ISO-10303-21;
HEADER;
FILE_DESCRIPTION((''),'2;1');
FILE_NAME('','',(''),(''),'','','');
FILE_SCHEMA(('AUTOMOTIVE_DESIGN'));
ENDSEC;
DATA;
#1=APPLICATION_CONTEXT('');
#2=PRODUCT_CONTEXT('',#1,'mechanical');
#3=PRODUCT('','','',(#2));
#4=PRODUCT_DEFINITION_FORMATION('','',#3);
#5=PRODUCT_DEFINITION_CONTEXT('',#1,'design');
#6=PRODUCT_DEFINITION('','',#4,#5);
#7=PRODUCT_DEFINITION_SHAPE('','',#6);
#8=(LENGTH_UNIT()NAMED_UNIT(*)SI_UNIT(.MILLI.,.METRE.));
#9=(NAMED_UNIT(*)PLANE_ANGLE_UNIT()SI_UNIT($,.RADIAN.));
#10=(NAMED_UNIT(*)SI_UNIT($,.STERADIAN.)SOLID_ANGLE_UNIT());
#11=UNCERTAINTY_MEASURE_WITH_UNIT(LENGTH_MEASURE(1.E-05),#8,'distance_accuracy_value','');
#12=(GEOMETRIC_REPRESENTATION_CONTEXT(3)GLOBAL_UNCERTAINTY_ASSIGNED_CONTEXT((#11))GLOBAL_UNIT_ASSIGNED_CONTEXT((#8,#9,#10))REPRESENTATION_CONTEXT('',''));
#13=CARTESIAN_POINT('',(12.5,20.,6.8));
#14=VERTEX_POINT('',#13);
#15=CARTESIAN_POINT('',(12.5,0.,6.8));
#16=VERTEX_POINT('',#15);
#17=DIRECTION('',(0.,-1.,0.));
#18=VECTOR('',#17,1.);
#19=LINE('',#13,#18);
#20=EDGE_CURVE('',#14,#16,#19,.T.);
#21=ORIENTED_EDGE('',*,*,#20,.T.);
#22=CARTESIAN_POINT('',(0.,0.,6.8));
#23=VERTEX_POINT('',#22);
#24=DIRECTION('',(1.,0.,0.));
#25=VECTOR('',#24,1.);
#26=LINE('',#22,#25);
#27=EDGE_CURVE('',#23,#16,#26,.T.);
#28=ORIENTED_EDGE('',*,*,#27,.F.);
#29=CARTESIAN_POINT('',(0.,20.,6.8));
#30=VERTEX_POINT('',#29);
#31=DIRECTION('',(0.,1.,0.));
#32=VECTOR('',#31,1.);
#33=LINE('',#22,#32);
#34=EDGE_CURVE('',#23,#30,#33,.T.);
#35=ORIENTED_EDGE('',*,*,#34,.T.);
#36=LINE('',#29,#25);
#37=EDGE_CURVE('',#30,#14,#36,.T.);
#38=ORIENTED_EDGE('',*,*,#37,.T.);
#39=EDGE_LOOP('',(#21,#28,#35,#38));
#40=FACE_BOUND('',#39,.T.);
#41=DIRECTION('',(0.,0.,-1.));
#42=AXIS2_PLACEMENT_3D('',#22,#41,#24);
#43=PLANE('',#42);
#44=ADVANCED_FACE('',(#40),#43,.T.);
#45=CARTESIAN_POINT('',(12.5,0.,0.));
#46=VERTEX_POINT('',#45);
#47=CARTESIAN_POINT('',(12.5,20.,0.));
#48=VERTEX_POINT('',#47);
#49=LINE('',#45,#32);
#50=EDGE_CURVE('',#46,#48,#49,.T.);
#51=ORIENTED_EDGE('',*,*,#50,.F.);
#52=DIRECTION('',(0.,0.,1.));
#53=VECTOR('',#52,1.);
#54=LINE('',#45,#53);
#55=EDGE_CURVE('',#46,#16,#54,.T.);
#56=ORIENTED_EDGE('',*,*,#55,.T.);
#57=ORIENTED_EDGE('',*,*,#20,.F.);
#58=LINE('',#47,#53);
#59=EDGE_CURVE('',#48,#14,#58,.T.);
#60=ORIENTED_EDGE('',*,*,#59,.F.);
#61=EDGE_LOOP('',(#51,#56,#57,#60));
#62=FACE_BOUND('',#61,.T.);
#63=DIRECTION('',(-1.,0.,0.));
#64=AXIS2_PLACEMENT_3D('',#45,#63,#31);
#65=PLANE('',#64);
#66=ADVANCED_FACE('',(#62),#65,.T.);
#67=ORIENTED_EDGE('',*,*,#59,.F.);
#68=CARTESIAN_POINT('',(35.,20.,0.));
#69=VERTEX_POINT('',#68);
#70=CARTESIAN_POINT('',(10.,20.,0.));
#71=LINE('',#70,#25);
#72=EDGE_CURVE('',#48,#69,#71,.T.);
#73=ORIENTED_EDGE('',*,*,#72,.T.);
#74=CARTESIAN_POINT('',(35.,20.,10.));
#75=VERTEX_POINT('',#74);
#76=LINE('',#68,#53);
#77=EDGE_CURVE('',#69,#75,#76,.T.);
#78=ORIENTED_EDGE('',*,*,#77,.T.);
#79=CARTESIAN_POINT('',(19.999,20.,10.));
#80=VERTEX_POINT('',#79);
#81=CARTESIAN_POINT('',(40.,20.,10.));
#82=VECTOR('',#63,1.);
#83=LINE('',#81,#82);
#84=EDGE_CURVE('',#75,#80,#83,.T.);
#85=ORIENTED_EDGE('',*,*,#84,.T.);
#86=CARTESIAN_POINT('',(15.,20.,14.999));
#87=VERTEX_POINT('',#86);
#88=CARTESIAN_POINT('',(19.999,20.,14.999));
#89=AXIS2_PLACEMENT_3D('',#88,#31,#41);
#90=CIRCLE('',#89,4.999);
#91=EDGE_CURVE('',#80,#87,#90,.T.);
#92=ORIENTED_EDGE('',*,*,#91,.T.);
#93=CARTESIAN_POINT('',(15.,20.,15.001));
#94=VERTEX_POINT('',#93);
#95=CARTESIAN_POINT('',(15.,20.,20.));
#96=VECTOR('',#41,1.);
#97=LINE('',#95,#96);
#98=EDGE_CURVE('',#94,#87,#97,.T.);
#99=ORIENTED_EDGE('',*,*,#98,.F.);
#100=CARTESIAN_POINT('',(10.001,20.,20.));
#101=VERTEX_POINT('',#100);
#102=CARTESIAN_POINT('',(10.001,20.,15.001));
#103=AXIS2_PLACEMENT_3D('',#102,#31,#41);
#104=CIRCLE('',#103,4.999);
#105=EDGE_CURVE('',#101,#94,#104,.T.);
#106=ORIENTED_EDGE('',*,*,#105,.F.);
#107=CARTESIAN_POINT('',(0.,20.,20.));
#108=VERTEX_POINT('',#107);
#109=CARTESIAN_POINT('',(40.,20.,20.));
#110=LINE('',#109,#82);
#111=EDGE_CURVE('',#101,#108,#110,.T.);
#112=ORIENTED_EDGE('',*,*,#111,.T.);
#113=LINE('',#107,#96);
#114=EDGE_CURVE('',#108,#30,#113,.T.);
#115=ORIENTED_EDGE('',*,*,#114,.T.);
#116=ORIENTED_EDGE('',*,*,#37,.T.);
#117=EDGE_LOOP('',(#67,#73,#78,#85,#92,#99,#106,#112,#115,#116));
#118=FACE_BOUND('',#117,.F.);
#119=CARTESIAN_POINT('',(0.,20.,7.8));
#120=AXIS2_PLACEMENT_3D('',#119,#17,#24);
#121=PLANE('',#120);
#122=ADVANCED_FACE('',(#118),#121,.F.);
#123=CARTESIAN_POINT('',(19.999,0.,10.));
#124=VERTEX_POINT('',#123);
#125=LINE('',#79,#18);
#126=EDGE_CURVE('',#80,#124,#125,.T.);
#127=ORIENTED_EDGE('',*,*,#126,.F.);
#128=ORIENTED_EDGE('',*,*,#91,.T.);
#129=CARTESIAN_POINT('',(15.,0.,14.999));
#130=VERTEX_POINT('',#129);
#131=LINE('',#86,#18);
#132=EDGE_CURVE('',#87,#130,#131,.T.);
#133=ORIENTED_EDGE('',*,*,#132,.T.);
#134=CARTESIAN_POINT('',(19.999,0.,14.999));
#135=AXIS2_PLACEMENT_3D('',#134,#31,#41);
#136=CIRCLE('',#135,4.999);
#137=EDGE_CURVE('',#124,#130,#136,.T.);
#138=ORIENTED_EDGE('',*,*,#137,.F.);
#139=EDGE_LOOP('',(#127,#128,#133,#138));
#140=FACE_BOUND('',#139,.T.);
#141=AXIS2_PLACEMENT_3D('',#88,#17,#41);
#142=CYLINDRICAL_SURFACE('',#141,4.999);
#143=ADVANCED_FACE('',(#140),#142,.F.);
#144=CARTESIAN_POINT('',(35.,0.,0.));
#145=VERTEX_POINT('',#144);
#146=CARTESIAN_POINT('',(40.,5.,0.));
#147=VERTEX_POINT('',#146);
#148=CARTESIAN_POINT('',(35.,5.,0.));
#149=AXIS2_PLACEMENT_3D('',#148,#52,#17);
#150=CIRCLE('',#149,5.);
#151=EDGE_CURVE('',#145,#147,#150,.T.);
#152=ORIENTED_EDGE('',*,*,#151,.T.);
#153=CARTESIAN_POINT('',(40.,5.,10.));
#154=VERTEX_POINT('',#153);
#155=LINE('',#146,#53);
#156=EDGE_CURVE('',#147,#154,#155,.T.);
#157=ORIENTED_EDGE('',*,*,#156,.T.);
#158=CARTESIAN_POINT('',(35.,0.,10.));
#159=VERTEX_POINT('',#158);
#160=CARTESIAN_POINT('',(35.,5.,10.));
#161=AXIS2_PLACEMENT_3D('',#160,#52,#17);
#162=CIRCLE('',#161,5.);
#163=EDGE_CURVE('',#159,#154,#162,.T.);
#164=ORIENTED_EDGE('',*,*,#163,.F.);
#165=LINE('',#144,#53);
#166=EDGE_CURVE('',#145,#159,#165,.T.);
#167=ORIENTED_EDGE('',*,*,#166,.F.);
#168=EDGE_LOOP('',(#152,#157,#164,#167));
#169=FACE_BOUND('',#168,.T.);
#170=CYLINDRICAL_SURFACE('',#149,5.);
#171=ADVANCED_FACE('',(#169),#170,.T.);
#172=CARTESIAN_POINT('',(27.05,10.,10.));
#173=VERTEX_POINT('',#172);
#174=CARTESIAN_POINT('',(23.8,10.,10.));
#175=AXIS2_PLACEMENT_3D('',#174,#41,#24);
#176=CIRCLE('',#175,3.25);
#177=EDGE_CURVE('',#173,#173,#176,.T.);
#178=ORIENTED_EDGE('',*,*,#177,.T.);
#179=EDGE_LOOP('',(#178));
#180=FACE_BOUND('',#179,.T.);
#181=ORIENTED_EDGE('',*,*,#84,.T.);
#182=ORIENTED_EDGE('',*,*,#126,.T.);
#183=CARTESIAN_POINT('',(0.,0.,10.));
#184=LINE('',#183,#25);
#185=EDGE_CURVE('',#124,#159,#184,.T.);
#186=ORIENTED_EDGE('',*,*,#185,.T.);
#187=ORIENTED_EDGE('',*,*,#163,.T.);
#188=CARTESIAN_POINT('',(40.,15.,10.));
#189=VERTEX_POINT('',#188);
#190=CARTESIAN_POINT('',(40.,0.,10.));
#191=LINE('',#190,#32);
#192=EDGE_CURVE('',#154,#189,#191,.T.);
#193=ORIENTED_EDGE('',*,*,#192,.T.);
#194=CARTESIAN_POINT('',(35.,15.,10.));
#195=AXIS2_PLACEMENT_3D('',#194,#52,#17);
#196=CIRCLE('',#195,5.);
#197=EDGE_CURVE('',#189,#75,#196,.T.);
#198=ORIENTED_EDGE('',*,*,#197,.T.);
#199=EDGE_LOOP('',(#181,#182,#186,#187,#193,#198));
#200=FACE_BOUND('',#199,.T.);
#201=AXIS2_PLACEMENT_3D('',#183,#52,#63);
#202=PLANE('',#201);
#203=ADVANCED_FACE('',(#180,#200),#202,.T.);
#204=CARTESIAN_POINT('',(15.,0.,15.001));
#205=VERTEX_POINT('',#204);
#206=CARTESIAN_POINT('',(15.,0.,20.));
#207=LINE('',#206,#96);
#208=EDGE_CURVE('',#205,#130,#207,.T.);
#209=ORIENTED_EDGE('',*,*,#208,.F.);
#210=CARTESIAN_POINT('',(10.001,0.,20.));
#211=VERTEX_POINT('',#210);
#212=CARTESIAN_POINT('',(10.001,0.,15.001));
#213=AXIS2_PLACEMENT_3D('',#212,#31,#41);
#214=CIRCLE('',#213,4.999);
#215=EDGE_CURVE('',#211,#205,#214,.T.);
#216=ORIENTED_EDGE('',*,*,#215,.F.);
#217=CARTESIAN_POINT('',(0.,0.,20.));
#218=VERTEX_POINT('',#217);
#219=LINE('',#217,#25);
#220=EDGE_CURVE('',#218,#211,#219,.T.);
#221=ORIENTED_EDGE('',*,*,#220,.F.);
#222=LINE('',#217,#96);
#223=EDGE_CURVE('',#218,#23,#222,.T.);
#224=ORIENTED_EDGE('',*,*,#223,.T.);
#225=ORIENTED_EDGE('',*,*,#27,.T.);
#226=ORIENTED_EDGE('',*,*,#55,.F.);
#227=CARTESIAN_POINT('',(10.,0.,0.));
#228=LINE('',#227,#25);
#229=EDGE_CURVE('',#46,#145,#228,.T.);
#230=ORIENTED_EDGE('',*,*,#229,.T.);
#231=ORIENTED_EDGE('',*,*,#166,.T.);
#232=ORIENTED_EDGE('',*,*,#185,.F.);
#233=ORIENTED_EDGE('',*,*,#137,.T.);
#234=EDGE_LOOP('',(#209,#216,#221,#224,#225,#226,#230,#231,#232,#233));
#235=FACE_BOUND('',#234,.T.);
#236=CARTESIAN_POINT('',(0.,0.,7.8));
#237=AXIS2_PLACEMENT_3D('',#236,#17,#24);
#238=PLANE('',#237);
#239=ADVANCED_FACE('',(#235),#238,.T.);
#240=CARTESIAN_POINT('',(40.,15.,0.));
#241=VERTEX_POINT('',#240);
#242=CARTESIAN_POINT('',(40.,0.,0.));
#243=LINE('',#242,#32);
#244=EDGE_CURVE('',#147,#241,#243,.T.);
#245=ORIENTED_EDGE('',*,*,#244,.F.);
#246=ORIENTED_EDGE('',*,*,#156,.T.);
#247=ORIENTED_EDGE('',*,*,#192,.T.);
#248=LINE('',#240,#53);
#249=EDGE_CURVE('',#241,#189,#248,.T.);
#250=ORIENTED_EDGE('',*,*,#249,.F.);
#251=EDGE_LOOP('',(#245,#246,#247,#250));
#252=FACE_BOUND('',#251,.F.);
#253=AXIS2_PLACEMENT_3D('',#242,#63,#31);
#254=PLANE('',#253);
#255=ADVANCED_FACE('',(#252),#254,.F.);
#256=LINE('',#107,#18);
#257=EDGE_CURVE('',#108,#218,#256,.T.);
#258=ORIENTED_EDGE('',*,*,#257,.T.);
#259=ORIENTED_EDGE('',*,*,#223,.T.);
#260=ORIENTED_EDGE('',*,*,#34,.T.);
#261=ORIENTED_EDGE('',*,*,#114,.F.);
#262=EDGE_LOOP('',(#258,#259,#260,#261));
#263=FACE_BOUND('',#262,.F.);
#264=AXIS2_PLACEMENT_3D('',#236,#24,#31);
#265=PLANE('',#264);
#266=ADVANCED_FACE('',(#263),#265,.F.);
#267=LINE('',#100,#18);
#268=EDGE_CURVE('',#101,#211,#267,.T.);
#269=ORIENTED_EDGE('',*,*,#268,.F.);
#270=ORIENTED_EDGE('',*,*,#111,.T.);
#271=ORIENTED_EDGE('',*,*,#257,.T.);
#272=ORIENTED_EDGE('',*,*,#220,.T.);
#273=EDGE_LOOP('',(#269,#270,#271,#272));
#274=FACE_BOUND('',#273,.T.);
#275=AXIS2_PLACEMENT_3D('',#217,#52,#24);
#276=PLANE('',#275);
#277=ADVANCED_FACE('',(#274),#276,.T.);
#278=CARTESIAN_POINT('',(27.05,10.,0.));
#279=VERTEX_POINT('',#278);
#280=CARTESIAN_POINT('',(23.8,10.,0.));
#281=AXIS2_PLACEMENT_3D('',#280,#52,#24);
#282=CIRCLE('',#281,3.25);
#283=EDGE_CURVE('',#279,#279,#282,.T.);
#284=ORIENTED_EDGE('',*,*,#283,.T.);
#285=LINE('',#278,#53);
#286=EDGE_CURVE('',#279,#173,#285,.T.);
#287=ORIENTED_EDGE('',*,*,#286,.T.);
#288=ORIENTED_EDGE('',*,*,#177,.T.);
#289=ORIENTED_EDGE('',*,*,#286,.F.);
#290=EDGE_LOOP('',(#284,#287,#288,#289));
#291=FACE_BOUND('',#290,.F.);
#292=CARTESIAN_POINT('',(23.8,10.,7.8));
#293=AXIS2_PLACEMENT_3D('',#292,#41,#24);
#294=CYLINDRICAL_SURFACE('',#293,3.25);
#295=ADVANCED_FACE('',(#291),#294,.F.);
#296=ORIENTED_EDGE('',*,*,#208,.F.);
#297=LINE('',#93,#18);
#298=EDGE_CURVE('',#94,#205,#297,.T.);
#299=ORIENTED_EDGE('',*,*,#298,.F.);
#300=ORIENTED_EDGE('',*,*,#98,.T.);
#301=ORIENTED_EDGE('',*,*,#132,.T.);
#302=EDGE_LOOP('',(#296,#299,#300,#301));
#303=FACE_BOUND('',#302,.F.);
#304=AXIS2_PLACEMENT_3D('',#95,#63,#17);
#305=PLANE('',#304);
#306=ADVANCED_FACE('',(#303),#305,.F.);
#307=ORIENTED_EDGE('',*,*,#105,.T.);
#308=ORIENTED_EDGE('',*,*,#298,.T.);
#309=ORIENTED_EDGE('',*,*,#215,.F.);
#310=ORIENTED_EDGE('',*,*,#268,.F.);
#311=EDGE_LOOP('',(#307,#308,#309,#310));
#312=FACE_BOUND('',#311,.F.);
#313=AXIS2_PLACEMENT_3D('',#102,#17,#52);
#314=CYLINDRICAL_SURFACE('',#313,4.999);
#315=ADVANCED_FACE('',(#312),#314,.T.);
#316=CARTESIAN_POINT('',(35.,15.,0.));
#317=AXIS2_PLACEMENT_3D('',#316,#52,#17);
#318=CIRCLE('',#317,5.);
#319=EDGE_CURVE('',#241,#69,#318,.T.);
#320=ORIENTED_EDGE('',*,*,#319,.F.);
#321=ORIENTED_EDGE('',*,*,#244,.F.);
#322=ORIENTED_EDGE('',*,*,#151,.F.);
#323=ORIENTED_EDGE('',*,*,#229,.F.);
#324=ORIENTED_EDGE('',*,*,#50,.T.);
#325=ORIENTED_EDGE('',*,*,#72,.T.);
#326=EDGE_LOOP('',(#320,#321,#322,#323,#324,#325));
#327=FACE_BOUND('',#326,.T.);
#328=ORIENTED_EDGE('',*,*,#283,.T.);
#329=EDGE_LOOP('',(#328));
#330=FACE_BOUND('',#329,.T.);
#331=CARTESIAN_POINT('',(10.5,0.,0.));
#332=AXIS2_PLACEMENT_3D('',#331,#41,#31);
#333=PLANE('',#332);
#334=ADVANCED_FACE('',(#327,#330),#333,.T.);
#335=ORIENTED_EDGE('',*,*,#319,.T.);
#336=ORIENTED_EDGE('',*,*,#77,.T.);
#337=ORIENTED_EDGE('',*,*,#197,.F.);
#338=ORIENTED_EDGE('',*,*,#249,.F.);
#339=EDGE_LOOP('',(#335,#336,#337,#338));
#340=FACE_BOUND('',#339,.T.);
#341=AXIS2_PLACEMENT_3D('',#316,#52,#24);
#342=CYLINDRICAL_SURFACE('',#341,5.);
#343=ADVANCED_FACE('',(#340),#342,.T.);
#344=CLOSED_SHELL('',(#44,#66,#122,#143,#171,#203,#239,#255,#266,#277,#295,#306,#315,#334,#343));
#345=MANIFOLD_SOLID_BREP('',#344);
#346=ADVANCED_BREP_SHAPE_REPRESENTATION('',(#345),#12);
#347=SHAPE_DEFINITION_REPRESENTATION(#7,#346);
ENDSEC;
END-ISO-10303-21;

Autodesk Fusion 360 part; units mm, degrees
sketch "Sketch1" plane through (0, 0, 0) normal (0, 0, 1) x (1, 0, 0)
  line L0 (0, 0) -> (40, 0)
  line L1 (40, 0) -> (40, 20)
  line L2 (40, 20) -> (0, 20)
  line L3 (0, 20) -> (0, 0)
  dimension "d1" = 40
  dimension "d2" = 20
extrude "Extrude1" add sketch "Sketch1" along normal blind 20
sketch "Sketch2" plane through (0, 0, 0) normal (0, 0, -1) x (1, 0, 0)
  line L0 (0, 0) -> (0, -20)
  line L1 (0, -20) -> (40, -20)
  line L2 (40, -20) -> (40, 0)
  line L3 (40, 0) -> (0, 0)
  line L4 (0, 0) -> (10, 0)
  line L5 (10, 0) -> (10, -20)
  line L6 (10, -20) -> (0, -20)
  line L7 (0, -20) -> (0, 0)
  line L8 (10, -10) -> (23.8, -10)
  circle A0 centre (23.8, -10) radius 3.25
  dimension "d5" = 10
  dimension "d6" = 20
  dimension "d7" = 13.8
  dimension "d8" = 6.5
extrude "Extrude2" cut sketch "Sketch2" against normal blind 7.8 contours L0 L1 L3 L4 L5 L6 L7 | A0
extrude "Extrude3" cut 1 faces at (24.5115, 8.6722, 7.8) along direction (0, 0, 1) blind 210
sketch "Sketch3" plane through (0, 0, 20) normal (0, 0, 1) x (-1, 0, 0)
  circle A0 centre (-23.8, -10) radius 3.25
  line L0 (0, -20) -> (0, 0)
  line L1 (0, 0) -> (-40, 0)
  line L2 (-40, 0) -> (-40, -20)
  line L3 (-40, -20) -> (0, -20)
  line L4 (-40, -20) -> (-15, -20)
  line L5 (-15, -20) -> (-15, 0)
  line L6 (-15, 0) -> (-40, 0)
  line L7 (-40, 0) -> (-40, -20)
  dimension "d13" = 25
  dimension "d14" = 20
extrude "Extrude4" cut sketch "Sketch3" against normal blind 10 contours L1 L2 L3 L4 L5 L6 L7
fillet "Fillet1" radius 5 2 edges at (15, 10, 10) (15, 10, 20)
fillet "Fillet2" radius 5 2 edges at (40, 0, 5) (40, 20, 5)
sketch "Sketch4" plane through (0, 0, 0) normal (0, 1, 0) x (1, 0, 0)
extrude "Extrude5" cut 1 faces at (10, 6.6667, 2.6) along direction (1, 0, 0) blind 0.5
extrude "Extrude6" add 1 faces at (10.5, 6.6667, 2.6) along direction (-1, 0, 0) blind 0.5
sketch "Sketch5" plane through (0, 0, 20) normal (0, 0, 1) x (-1, 0, 0)
  line L0 (-10, 0) -> (-10, -20)
  line L1 (-10, -20) -> (0, -20)
  line L2 (0, -20) -> (0, 0)
  line L3 (0, 0) -> (-10, 0)
sketch "Sketch6" plane through (0, 0, 0) normal (0, -1, 0) x (1, 0, 0)
  line L0 (10, 0) -> (35, 0)
  line L1 (35, 0) -> (35, 10)
  line L2 (35, 10) -> (20, 10)
  arc A0 (15, 15) -> (20, 10) centre (20, 15) ccw
  arc A1 (15, 15) -> (10, 20) centre (10, 15) ccw
  line L3 (10, 20) -> (0, 20)
  line L4 (0, 20) -> (0, 7.8)
  line L5 (0, 7.8) -> (10, 7.8)
  line L6 (10, 7.8) -> (10, 0)
sketch "Sketch7" plane through (0, 0, 0) normal (0, -1, 0) x (1, 0, 0)
sketch "Sketch8" plane through (0, 0, 10) normal (0, 0, 1) x (-1, 0, 0)
  arc A0 (-40, -15) -> (-35, -20) centre (-35, -15) ccw
  line L0 (-35, -20) -> (-20, -20)
  line L1 (-20, -20) -> (-20, 0)
  line L2 (-20, 0) -> (-35, 0)
  arc A1 (-35, 0) -> (-40, -5) centre (-35, -5) ccw
  line L3 (-40, -5) -> (-40, -15)
  circle A2 centre (-23.8, -10) radius 3.25
extrude "Extrude7" cut 1 faces at (10, 6.6667, 2.6) along direction (1, 0, 0) blind 2.5
extrude "Extrude8" add 1 faces at (4.1667, 6.6667, 7.8) along direction (0, 0, -1) blind 1
